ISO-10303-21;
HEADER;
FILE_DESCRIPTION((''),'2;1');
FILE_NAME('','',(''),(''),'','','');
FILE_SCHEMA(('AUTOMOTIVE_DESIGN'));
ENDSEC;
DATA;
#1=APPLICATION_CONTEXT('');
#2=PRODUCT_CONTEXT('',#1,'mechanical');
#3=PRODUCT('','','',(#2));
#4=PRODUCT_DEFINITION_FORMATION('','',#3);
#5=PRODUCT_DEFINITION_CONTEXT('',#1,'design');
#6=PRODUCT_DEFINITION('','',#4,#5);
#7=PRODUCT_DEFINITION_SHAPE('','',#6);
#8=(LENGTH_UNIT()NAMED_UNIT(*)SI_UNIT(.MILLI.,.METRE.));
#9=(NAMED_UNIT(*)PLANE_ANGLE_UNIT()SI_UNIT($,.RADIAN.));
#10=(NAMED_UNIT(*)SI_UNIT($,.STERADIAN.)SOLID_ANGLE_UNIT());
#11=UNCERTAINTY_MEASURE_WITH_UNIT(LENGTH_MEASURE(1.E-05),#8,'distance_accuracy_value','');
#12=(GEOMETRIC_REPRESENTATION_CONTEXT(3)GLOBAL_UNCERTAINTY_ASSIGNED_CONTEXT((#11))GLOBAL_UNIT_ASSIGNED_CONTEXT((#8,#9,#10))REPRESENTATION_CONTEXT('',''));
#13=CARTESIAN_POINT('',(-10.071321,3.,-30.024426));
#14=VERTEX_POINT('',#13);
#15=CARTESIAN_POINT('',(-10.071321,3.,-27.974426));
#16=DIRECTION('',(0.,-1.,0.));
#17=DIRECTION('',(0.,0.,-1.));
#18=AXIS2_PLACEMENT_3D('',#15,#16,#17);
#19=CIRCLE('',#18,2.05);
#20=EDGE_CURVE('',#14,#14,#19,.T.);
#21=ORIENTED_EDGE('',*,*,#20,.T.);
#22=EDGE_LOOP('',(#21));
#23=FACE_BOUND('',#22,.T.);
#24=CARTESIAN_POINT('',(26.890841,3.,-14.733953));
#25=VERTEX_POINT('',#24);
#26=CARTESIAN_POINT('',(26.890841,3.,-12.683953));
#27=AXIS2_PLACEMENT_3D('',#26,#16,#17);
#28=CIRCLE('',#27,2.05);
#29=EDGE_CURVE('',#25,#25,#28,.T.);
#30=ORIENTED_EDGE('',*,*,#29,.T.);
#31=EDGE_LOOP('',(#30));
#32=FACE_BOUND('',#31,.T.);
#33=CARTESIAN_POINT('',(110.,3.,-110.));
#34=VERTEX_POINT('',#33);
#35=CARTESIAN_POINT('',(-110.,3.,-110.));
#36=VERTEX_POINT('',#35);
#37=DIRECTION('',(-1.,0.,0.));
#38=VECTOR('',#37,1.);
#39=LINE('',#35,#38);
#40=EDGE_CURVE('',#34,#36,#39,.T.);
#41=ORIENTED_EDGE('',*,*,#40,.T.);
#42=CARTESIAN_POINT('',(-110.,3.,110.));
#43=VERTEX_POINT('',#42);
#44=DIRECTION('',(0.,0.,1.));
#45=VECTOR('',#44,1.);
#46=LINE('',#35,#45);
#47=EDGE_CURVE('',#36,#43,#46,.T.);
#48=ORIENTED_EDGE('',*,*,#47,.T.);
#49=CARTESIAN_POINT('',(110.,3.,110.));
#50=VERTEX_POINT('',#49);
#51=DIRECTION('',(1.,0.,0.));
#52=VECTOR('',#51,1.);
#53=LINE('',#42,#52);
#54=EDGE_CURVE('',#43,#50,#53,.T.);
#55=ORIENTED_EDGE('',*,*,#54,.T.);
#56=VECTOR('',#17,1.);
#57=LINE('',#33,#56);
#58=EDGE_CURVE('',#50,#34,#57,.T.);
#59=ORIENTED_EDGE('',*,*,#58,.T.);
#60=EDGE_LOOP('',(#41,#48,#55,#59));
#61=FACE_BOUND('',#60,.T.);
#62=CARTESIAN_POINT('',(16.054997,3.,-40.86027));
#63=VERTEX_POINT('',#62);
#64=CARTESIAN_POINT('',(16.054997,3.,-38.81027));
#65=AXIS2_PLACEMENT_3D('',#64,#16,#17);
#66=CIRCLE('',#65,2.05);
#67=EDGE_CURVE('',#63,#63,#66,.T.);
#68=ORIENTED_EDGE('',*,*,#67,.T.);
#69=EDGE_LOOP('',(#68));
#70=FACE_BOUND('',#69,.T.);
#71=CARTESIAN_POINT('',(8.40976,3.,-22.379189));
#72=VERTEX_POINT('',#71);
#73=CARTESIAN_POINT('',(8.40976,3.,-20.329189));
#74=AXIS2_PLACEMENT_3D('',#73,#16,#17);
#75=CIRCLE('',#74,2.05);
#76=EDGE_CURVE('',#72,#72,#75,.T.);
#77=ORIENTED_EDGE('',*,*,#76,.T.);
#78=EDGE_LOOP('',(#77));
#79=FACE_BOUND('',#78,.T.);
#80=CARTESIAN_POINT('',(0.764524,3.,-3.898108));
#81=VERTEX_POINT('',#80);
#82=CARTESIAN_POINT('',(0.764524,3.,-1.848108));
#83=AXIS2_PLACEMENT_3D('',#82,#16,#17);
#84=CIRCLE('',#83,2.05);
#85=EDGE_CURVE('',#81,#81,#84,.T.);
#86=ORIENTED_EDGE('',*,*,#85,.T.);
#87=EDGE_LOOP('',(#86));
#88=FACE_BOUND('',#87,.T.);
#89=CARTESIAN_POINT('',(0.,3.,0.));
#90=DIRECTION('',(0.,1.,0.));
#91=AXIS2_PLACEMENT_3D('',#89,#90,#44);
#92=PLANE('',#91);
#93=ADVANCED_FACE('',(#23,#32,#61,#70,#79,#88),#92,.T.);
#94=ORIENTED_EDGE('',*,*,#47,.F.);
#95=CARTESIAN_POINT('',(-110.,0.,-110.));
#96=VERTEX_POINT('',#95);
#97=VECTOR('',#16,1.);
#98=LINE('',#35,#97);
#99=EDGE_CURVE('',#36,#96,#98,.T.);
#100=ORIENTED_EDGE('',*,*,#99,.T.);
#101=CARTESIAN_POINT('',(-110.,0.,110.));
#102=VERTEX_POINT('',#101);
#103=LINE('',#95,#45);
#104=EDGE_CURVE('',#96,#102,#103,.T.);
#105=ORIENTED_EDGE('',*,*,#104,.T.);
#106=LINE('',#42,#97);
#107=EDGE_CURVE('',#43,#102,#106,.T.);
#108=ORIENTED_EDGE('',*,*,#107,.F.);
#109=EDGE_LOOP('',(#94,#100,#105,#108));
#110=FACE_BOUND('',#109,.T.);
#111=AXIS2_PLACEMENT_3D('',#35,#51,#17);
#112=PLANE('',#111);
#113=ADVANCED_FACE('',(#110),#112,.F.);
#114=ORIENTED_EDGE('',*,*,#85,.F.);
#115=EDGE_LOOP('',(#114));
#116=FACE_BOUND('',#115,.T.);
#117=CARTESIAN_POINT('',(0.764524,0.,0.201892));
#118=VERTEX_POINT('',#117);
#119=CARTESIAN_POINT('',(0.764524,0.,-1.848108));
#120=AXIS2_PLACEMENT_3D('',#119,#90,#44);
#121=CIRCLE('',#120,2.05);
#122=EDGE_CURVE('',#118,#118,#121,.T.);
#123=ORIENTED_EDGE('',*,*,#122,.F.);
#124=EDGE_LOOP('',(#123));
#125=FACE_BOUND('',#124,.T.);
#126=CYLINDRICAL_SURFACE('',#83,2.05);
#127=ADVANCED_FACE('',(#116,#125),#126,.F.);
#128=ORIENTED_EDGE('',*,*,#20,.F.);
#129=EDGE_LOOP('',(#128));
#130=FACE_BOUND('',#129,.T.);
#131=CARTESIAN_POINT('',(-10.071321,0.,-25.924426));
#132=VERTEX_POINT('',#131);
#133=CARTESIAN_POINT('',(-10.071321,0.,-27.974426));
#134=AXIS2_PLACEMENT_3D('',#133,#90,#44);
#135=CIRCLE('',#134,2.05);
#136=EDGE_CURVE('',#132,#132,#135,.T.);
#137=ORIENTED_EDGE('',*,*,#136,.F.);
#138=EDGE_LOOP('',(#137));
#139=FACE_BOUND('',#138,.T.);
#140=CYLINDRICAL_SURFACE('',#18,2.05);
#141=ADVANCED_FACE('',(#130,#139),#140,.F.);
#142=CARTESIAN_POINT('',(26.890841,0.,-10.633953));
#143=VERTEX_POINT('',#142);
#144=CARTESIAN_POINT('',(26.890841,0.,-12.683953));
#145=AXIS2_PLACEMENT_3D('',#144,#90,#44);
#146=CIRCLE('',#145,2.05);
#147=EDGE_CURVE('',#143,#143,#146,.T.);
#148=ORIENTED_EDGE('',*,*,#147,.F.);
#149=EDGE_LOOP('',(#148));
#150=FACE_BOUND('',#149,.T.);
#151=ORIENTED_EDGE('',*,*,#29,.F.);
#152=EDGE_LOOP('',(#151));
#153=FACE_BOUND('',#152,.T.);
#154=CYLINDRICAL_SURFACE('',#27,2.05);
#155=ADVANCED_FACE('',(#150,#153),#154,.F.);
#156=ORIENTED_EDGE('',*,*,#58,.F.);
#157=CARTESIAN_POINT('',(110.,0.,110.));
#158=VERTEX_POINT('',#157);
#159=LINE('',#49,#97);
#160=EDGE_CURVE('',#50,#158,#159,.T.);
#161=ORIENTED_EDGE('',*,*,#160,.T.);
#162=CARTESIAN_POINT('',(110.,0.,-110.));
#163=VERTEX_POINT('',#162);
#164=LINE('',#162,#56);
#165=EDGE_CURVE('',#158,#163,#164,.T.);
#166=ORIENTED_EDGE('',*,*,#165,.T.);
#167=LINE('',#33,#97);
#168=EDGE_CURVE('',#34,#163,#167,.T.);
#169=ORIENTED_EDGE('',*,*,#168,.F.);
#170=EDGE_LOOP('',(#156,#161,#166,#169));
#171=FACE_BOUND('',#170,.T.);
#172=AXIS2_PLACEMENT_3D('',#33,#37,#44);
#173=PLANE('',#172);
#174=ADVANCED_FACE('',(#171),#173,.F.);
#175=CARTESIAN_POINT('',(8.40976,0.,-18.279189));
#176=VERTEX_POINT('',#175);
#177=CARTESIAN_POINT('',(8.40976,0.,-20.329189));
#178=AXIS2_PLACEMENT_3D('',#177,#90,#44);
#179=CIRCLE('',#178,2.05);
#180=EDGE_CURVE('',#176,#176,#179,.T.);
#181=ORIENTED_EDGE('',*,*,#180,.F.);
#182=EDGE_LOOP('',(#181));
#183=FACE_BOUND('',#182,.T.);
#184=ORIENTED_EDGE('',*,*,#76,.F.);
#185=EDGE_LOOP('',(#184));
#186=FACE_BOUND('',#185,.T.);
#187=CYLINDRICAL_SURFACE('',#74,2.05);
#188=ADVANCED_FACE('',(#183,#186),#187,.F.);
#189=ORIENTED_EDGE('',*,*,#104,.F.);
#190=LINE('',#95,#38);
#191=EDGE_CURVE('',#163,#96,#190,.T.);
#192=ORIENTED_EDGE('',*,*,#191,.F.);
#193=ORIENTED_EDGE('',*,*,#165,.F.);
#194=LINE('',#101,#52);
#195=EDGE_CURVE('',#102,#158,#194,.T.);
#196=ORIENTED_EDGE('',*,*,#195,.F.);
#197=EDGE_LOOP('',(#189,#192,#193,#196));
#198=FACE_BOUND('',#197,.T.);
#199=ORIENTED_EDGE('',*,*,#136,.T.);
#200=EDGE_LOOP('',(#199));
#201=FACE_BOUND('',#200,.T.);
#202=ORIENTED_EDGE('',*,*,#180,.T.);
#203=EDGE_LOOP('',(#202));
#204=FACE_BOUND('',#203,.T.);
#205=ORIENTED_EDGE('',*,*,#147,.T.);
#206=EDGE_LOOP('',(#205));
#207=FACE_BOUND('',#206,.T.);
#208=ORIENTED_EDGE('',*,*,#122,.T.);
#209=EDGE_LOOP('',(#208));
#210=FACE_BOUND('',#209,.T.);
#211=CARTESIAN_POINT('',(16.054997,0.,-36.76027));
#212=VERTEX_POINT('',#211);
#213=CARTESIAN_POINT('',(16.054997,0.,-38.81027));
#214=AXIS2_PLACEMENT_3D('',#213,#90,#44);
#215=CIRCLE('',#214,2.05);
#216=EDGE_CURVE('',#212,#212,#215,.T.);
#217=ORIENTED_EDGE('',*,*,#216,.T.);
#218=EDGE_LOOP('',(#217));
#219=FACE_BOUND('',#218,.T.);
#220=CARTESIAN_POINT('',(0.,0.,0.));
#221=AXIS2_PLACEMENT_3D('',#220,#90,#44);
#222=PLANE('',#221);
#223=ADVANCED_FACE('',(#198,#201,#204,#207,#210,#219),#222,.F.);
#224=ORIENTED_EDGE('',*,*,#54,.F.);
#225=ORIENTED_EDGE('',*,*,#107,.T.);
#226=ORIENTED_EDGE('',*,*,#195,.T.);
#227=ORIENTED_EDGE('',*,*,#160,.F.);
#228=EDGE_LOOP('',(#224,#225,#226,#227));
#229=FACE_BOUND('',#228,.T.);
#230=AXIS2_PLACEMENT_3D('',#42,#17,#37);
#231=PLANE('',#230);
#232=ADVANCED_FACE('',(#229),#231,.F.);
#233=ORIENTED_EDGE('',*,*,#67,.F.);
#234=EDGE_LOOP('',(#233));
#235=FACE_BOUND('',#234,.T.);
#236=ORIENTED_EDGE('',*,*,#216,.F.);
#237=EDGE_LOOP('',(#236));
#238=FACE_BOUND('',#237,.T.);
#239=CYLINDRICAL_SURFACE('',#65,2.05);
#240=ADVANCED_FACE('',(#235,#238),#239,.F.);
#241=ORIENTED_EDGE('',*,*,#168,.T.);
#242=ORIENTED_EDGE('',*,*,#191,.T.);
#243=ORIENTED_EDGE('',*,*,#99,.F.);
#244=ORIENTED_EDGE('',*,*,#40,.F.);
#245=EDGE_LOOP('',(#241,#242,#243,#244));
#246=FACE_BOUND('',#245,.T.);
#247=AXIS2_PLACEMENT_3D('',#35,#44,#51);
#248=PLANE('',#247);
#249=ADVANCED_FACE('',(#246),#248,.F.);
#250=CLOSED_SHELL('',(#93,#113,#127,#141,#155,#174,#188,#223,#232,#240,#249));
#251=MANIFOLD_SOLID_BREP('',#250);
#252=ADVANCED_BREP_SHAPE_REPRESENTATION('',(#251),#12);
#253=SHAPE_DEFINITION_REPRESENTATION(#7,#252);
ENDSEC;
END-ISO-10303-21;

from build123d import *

# Parameters (mm, degrees)
SKETCH_1_W               = 220
SKETCH_1_H               = 220
EXTRUDE_1_DEPTH          = 3
CUT_EXTRUDE_1_DEPTH      = 156.592416268
CUT_EXTRUDE_1_DEPTH_BACK = 156.592416268
SKETCH_3_R               = 2.05


with BuildPart() as part:
    # 草图1 → 凸台-拉伸1 (new body)
    with BuildSketch(Plane(origin=(0, 0, 0), x_dir=(1, 0, 0), z_dir=(0, 1, 0))):
        Rectangle(SKETCH_1_W, SKETCH_1_H)
    extrude(amount=EXTRUDE_1_DEPTH)

    # 草图3 → 切除-拉伸1 (cut, two sides: drawn at the far end of the back side and taken through both)
    with BuildSketch(Plane.XZ.offset(-CUT_EXTRUDE_1_DEPTH_BACK)):
        with Locations(Location((16.054996524, -38.810270375, 0), (0, 0, 270))):
            Circle(SKETCH_3_R)
        with Locations(Location((8.409760084, -20.329189244, 0), (0, 0, 270))):
            Circle(SKETCH_3_R)
        with Locations(Location((26.890841215, -12.683952804, 0), (0, 0, 270))):
            Circle(SKETCH_3_R)
        with Locations(Location((0.764523644, -1.848108113, 0), (0, 0, 270))):
            Circle(SKETCH_3_R)
        with Locations(Location((-10.071321047, -27.974425684, 0), (0, 0, 270))):
            Circle(SKETCH_3_R)
    extrude(amount=CUT_EXTRUDE_1_DEPTH + CUT_EXTRUDE_1_DEPTH_BACK, mode=Mode.SUBTRACT)


solid = part.part
